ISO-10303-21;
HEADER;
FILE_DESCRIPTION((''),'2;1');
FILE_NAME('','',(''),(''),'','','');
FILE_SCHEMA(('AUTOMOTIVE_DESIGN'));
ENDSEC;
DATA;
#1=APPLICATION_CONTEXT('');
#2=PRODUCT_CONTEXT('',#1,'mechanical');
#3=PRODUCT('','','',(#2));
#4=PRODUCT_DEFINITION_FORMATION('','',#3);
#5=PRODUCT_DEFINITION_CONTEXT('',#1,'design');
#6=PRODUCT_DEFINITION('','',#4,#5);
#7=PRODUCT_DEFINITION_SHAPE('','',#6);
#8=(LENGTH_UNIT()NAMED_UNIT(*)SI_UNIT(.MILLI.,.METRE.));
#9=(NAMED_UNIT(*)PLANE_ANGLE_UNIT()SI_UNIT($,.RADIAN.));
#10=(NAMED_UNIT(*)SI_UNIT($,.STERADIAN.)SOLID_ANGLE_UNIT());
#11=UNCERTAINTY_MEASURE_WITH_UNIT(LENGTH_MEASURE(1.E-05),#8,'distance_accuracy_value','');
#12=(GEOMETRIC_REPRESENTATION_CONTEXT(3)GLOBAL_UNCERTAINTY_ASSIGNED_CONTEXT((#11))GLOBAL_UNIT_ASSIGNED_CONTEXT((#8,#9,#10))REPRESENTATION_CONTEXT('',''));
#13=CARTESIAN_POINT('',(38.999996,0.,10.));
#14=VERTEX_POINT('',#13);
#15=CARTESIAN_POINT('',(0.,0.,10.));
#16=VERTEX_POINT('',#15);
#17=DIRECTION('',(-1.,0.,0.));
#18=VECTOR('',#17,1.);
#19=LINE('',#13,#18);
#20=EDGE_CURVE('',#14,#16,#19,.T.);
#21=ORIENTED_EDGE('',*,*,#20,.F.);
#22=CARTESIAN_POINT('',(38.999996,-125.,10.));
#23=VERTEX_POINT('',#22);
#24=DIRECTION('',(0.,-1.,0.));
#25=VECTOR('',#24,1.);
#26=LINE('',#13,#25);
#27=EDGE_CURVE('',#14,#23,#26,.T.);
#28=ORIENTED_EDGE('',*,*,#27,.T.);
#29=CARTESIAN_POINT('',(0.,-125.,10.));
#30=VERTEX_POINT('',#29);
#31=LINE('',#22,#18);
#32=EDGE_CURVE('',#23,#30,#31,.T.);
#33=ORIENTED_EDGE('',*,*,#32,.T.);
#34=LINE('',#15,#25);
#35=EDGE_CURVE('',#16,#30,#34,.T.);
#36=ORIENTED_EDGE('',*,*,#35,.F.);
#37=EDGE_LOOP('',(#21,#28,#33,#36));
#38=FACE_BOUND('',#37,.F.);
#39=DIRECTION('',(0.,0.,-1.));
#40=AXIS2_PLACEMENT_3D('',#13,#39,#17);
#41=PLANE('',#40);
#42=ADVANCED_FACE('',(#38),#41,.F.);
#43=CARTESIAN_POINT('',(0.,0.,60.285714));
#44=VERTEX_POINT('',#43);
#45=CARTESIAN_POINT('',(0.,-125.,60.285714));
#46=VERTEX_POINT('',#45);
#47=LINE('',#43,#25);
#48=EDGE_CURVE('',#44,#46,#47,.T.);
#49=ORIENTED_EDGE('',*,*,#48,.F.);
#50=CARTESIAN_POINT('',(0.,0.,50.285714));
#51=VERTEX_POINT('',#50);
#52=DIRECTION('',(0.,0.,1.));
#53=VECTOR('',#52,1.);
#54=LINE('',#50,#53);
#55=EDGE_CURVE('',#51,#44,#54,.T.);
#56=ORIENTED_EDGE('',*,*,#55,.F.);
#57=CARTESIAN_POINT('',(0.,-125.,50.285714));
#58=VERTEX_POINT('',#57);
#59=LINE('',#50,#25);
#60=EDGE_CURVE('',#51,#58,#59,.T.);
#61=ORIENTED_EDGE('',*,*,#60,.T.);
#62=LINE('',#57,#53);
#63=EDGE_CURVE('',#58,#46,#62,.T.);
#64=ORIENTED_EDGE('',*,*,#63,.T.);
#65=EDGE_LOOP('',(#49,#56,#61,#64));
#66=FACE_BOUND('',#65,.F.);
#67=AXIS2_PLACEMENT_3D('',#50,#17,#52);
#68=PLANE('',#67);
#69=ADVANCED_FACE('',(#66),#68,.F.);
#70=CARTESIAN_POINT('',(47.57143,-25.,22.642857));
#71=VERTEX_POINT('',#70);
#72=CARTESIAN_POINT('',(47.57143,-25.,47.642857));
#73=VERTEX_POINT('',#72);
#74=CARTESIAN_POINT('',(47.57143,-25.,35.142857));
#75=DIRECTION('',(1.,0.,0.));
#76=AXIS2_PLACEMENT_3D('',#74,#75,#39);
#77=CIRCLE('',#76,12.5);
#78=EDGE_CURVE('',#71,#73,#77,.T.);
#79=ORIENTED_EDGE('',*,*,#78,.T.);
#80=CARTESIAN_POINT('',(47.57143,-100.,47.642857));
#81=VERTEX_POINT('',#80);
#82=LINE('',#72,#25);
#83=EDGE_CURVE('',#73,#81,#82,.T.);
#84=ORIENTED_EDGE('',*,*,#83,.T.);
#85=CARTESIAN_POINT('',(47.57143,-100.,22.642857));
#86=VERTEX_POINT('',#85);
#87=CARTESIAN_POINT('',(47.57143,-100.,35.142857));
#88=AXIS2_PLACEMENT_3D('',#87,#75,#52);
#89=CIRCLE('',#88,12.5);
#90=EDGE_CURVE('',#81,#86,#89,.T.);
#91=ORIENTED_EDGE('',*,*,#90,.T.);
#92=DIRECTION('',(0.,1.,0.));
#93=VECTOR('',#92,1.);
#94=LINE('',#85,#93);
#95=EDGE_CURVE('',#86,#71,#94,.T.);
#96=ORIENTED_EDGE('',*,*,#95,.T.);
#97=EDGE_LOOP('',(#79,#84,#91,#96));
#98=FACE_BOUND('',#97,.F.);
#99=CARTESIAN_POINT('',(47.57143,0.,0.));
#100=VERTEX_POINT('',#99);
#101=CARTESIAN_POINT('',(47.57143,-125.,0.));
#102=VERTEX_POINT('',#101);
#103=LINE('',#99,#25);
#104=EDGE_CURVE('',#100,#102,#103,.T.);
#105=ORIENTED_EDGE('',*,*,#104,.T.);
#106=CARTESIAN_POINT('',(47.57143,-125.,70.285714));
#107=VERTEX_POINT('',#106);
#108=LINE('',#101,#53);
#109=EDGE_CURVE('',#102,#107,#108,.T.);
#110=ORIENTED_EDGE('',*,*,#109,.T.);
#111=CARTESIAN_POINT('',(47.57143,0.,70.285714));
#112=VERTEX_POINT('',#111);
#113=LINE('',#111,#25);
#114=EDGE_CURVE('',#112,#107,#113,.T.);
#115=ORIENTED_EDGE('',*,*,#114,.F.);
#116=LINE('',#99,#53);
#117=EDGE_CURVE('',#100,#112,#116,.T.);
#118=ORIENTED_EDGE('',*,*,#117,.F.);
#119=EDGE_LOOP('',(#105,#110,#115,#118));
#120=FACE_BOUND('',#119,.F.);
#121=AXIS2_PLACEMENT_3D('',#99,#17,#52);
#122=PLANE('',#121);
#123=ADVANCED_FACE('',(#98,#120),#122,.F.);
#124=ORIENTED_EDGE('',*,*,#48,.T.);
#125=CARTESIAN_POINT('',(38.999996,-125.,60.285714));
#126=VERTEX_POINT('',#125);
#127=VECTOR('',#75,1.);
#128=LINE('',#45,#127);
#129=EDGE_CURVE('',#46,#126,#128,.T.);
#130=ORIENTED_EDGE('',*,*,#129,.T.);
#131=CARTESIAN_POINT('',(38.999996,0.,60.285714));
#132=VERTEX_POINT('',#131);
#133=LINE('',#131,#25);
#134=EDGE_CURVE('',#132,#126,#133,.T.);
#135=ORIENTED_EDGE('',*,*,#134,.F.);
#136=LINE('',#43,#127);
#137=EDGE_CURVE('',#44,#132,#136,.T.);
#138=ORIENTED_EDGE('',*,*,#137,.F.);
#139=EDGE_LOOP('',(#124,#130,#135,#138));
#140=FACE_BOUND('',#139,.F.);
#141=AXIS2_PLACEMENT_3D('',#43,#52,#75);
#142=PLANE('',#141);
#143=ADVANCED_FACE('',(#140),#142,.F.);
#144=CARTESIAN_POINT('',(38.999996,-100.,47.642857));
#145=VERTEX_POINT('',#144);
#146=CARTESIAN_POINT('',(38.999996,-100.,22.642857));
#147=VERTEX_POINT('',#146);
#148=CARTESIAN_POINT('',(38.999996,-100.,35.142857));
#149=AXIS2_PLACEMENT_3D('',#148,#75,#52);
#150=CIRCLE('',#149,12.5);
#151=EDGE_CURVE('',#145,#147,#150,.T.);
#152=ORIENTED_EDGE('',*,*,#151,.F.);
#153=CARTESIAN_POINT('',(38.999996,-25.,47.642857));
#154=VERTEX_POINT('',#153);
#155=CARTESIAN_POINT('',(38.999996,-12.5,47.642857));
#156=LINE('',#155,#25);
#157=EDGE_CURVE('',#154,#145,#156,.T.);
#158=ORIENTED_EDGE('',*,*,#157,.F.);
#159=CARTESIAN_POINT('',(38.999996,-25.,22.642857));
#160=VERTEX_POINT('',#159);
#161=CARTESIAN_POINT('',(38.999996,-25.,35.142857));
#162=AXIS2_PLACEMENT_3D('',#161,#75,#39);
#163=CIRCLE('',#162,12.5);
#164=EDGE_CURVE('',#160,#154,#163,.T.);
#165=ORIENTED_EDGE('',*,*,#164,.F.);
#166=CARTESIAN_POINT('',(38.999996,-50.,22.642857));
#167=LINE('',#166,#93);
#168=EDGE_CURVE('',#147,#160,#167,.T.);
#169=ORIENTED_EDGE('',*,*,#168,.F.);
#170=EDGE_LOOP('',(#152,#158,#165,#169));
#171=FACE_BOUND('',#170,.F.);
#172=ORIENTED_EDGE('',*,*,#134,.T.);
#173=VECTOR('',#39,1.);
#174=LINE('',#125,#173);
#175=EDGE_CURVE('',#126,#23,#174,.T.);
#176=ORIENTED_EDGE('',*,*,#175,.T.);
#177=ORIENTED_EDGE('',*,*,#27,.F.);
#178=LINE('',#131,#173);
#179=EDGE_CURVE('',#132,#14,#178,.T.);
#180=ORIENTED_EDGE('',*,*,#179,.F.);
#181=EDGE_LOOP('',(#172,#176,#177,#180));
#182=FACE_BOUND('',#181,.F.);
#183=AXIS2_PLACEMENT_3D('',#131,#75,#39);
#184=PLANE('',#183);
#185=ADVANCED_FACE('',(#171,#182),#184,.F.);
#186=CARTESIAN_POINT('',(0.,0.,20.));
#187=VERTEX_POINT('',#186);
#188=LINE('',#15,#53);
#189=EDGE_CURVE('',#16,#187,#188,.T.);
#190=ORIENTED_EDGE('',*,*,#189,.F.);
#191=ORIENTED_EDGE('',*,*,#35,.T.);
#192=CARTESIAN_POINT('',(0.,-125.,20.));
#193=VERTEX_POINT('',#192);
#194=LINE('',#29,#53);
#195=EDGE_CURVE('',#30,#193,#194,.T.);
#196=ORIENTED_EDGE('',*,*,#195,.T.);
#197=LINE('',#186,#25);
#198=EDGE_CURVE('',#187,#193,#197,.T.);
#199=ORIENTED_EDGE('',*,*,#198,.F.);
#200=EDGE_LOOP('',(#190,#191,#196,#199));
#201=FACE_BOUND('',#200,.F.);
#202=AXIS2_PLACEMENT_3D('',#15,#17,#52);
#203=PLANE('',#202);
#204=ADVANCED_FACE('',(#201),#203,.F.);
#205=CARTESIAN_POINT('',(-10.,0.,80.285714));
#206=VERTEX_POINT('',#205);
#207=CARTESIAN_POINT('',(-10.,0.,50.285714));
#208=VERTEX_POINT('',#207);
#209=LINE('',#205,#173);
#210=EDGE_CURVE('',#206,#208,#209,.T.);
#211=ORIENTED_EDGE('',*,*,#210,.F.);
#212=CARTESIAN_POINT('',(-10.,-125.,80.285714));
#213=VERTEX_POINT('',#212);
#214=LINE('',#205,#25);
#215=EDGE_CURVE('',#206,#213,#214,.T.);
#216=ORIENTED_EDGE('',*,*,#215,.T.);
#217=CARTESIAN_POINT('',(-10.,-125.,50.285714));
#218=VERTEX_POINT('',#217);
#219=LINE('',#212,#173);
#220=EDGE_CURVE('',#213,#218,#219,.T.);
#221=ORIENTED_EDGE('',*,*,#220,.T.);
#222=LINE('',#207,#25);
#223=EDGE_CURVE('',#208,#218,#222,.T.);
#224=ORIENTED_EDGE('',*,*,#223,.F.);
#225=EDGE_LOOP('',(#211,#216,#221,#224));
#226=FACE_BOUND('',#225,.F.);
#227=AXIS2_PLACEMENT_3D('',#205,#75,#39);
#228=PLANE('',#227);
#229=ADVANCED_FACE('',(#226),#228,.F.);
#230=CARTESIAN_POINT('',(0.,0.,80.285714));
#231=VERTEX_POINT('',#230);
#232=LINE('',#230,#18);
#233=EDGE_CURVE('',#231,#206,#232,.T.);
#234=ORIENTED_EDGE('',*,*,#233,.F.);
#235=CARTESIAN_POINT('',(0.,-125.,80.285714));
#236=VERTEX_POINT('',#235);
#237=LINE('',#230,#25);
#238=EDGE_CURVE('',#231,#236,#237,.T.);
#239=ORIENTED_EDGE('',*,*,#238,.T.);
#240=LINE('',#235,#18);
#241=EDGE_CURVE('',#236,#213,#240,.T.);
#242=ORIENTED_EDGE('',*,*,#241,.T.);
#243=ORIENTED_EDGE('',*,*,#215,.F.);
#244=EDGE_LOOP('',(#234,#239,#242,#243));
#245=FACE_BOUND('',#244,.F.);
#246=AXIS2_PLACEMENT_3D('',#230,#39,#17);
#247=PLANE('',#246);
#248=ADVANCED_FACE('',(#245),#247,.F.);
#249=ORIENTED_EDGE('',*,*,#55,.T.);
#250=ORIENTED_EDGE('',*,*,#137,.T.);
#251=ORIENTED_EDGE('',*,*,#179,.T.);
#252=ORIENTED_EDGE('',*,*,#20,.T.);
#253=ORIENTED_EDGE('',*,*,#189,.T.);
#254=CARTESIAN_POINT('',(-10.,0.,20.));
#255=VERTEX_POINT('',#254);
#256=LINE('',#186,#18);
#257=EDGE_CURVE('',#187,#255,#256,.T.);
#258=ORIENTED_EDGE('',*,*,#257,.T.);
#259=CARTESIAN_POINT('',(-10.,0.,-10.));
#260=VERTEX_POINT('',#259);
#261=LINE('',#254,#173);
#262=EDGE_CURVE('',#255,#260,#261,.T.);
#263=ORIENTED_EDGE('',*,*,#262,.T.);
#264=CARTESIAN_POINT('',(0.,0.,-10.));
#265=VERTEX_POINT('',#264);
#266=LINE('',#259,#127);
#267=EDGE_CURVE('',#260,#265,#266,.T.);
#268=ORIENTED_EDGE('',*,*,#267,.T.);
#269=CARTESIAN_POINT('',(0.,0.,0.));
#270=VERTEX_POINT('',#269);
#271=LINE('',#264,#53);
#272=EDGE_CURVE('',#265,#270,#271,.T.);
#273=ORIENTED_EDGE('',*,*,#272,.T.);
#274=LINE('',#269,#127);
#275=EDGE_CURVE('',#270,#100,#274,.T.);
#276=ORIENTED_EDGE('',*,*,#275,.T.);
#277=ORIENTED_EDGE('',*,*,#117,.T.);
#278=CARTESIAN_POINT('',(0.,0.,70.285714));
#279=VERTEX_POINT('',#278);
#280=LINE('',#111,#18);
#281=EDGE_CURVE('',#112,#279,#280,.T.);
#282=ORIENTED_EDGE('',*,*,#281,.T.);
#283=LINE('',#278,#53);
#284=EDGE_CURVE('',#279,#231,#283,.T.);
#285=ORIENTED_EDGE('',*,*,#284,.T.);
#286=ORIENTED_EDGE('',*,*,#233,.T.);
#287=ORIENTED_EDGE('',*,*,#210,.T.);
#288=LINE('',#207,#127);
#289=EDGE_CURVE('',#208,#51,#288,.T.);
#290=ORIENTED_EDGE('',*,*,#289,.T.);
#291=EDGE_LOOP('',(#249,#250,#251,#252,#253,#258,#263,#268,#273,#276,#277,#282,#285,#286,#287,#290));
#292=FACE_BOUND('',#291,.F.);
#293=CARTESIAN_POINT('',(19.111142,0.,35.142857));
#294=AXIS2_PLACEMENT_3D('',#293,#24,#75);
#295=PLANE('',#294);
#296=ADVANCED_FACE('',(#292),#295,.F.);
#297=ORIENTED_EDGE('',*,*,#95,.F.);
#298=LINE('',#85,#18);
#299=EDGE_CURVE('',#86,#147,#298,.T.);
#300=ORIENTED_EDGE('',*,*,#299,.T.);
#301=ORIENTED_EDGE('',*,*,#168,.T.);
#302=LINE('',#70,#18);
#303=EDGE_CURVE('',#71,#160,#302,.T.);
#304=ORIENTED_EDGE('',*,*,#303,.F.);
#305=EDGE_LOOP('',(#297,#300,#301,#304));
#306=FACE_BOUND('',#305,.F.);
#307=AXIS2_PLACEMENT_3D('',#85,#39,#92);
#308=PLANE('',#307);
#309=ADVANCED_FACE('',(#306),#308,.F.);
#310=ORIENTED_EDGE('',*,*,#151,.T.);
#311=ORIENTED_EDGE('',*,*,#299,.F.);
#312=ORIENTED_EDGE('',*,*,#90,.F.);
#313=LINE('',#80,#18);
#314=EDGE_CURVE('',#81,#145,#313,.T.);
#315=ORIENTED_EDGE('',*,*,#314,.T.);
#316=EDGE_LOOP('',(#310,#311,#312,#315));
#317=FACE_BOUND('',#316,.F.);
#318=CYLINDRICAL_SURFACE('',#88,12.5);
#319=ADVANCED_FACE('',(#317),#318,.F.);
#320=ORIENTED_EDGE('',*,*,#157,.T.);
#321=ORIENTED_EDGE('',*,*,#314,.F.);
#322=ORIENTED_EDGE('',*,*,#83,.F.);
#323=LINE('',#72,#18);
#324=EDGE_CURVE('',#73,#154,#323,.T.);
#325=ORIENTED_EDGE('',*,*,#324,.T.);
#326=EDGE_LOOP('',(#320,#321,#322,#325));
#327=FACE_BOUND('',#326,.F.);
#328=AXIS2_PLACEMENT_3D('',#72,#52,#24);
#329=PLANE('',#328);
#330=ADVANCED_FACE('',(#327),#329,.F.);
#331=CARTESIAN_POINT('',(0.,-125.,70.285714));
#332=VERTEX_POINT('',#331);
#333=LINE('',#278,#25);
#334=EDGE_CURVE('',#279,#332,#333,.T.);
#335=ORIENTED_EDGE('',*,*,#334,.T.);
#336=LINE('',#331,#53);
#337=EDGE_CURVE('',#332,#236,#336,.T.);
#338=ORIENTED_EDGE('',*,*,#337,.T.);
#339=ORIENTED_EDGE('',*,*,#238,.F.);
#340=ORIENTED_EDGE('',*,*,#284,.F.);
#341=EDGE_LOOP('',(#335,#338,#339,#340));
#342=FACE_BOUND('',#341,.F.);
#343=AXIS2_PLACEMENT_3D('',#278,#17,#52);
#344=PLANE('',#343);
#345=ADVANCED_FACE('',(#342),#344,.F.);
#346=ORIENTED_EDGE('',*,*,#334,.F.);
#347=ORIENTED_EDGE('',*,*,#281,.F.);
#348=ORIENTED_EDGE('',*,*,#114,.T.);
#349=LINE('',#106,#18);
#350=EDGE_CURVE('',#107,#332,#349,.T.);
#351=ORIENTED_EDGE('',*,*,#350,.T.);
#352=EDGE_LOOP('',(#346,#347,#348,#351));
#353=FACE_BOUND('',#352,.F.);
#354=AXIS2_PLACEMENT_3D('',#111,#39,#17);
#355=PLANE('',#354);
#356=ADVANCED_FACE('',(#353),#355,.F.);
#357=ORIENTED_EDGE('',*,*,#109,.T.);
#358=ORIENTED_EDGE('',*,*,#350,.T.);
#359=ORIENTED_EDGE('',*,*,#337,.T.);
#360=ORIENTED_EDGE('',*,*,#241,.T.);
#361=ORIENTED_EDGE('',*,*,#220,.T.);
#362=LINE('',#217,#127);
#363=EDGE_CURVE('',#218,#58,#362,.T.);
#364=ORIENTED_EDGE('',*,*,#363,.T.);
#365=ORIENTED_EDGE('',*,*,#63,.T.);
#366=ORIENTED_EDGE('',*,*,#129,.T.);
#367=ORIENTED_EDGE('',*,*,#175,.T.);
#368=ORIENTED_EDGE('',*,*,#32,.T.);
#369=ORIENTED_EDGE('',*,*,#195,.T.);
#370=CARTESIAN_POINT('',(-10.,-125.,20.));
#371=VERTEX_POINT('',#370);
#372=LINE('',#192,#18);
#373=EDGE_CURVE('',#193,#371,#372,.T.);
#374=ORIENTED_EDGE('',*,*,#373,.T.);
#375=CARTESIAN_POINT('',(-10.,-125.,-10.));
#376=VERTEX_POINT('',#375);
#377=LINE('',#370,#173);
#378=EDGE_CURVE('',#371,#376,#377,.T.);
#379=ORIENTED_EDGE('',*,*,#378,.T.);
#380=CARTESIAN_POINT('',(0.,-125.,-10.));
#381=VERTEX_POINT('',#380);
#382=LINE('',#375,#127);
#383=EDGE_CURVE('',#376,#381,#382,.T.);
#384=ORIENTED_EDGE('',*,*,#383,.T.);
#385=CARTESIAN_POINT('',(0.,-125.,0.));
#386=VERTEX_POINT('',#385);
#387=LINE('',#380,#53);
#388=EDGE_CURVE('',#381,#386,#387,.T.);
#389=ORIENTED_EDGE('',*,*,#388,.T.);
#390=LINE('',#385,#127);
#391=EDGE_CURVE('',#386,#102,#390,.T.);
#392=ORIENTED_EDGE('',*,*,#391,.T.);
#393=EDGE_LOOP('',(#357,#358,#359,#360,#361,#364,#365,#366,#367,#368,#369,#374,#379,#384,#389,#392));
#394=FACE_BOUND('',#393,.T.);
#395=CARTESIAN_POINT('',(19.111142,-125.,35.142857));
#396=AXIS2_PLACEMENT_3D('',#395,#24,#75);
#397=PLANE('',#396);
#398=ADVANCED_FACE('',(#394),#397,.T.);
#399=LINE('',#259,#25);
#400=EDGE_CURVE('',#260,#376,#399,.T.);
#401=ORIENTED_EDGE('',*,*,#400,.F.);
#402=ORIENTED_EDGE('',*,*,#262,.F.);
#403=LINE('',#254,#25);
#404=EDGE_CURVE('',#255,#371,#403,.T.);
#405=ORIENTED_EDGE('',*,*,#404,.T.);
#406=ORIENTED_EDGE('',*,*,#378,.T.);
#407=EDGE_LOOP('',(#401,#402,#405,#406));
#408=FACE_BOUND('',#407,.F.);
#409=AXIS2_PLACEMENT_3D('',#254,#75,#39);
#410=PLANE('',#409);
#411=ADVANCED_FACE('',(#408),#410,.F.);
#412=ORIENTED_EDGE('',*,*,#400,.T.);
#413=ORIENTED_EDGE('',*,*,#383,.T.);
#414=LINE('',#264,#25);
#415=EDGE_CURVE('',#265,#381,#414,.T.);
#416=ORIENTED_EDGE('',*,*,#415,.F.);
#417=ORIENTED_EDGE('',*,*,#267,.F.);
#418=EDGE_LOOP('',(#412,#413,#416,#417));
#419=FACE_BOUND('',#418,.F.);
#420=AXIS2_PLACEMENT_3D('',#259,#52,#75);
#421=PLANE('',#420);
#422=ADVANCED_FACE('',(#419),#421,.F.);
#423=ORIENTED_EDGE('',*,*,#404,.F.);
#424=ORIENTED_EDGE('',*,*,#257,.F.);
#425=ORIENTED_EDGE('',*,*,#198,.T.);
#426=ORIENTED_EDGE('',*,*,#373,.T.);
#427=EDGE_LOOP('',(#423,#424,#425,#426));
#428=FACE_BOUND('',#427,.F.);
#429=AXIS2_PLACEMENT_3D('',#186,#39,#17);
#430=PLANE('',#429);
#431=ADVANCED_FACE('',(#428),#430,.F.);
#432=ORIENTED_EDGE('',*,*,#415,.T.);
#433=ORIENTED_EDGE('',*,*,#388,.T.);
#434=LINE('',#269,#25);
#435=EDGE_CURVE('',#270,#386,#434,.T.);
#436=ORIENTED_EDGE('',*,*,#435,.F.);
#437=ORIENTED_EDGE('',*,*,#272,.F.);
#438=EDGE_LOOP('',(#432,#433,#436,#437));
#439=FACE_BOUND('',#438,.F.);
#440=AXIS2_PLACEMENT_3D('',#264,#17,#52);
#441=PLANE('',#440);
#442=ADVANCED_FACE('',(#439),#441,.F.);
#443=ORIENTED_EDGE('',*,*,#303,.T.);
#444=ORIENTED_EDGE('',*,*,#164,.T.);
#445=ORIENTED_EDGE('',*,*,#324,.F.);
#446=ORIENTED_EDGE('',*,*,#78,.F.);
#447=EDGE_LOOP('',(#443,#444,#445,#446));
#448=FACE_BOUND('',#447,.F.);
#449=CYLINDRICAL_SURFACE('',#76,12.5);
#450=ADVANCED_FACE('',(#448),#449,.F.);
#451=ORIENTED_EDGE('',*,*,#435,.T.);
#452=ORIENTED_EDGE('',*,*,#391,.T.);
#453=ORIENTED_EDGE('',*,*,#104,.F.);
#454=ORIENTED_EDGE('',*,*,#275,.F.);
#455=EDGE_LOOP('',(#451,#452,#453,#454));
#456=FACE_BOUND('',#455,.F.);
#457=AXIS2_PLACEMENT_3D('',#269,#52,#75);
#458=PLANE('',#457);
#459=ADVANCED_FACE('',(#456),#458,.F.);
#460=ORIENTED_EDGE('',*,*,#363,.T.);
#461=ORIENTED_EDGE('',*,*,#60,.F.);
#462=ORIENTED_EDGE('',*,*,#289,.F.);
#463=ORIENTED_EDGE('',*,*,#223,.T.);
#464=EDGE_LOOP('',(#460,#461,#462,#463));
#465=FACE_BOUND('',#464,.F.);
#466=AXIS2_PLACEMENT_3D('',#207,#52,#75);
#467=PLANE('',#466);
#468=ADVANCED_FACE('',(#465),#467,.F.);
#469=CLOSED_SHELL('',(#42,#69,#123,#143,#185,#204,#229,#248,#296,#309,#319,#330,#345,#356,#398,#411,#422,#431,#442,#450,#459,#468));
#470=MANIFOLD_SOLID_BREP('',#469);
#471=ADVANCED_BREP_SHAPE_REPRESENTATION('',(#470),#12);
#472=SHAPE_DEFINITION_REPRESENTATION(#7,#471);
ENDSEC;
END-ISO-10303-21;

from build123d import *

# Parameters (mm, degrees)
F1_DEPTH = 125
F3_DEPTH = 25


with BuildPart() as f1:
    # F0 (on Front) → F1 (new body)
    with BuildSketch(Plane.XZ):
        Polygon((0, -10), (0, 0), (47.57143, 0), (47.57143, 70.285714), (0, 70.285714), (0, 80.285714), (-10, 80.285714), (-10, 50.285714), (0, 50.285714), (0, 60.285714), (38.999996, 60.285714), (38.999996, 10), (0, 10), (0, 20), (-10, 20), (-10, -10), align=None)
    extrude(amount=F1_DEPTH)

    # F2 (on face) → F3 (cut)
    with BuildSketch(Plane.YZ.offset(47.57143)):
        with BuildLine():
            Line((-25, 47.642857), (-100, 47.642857))
            ThreePointArc((-100, 47.642857), (-112.5, 35.142857), (-100, 22.642857))
            Line((-100, 22.642857), (-25, 22.642857))
            ThreePointArc((-25, 22.642857), (-12.5, 35.142857), (-25, 47.642857))
        make_face()
    extrude(amount=-F3_DEPTH, mode=Mode.SUBTRACT)


solid = f1.part
